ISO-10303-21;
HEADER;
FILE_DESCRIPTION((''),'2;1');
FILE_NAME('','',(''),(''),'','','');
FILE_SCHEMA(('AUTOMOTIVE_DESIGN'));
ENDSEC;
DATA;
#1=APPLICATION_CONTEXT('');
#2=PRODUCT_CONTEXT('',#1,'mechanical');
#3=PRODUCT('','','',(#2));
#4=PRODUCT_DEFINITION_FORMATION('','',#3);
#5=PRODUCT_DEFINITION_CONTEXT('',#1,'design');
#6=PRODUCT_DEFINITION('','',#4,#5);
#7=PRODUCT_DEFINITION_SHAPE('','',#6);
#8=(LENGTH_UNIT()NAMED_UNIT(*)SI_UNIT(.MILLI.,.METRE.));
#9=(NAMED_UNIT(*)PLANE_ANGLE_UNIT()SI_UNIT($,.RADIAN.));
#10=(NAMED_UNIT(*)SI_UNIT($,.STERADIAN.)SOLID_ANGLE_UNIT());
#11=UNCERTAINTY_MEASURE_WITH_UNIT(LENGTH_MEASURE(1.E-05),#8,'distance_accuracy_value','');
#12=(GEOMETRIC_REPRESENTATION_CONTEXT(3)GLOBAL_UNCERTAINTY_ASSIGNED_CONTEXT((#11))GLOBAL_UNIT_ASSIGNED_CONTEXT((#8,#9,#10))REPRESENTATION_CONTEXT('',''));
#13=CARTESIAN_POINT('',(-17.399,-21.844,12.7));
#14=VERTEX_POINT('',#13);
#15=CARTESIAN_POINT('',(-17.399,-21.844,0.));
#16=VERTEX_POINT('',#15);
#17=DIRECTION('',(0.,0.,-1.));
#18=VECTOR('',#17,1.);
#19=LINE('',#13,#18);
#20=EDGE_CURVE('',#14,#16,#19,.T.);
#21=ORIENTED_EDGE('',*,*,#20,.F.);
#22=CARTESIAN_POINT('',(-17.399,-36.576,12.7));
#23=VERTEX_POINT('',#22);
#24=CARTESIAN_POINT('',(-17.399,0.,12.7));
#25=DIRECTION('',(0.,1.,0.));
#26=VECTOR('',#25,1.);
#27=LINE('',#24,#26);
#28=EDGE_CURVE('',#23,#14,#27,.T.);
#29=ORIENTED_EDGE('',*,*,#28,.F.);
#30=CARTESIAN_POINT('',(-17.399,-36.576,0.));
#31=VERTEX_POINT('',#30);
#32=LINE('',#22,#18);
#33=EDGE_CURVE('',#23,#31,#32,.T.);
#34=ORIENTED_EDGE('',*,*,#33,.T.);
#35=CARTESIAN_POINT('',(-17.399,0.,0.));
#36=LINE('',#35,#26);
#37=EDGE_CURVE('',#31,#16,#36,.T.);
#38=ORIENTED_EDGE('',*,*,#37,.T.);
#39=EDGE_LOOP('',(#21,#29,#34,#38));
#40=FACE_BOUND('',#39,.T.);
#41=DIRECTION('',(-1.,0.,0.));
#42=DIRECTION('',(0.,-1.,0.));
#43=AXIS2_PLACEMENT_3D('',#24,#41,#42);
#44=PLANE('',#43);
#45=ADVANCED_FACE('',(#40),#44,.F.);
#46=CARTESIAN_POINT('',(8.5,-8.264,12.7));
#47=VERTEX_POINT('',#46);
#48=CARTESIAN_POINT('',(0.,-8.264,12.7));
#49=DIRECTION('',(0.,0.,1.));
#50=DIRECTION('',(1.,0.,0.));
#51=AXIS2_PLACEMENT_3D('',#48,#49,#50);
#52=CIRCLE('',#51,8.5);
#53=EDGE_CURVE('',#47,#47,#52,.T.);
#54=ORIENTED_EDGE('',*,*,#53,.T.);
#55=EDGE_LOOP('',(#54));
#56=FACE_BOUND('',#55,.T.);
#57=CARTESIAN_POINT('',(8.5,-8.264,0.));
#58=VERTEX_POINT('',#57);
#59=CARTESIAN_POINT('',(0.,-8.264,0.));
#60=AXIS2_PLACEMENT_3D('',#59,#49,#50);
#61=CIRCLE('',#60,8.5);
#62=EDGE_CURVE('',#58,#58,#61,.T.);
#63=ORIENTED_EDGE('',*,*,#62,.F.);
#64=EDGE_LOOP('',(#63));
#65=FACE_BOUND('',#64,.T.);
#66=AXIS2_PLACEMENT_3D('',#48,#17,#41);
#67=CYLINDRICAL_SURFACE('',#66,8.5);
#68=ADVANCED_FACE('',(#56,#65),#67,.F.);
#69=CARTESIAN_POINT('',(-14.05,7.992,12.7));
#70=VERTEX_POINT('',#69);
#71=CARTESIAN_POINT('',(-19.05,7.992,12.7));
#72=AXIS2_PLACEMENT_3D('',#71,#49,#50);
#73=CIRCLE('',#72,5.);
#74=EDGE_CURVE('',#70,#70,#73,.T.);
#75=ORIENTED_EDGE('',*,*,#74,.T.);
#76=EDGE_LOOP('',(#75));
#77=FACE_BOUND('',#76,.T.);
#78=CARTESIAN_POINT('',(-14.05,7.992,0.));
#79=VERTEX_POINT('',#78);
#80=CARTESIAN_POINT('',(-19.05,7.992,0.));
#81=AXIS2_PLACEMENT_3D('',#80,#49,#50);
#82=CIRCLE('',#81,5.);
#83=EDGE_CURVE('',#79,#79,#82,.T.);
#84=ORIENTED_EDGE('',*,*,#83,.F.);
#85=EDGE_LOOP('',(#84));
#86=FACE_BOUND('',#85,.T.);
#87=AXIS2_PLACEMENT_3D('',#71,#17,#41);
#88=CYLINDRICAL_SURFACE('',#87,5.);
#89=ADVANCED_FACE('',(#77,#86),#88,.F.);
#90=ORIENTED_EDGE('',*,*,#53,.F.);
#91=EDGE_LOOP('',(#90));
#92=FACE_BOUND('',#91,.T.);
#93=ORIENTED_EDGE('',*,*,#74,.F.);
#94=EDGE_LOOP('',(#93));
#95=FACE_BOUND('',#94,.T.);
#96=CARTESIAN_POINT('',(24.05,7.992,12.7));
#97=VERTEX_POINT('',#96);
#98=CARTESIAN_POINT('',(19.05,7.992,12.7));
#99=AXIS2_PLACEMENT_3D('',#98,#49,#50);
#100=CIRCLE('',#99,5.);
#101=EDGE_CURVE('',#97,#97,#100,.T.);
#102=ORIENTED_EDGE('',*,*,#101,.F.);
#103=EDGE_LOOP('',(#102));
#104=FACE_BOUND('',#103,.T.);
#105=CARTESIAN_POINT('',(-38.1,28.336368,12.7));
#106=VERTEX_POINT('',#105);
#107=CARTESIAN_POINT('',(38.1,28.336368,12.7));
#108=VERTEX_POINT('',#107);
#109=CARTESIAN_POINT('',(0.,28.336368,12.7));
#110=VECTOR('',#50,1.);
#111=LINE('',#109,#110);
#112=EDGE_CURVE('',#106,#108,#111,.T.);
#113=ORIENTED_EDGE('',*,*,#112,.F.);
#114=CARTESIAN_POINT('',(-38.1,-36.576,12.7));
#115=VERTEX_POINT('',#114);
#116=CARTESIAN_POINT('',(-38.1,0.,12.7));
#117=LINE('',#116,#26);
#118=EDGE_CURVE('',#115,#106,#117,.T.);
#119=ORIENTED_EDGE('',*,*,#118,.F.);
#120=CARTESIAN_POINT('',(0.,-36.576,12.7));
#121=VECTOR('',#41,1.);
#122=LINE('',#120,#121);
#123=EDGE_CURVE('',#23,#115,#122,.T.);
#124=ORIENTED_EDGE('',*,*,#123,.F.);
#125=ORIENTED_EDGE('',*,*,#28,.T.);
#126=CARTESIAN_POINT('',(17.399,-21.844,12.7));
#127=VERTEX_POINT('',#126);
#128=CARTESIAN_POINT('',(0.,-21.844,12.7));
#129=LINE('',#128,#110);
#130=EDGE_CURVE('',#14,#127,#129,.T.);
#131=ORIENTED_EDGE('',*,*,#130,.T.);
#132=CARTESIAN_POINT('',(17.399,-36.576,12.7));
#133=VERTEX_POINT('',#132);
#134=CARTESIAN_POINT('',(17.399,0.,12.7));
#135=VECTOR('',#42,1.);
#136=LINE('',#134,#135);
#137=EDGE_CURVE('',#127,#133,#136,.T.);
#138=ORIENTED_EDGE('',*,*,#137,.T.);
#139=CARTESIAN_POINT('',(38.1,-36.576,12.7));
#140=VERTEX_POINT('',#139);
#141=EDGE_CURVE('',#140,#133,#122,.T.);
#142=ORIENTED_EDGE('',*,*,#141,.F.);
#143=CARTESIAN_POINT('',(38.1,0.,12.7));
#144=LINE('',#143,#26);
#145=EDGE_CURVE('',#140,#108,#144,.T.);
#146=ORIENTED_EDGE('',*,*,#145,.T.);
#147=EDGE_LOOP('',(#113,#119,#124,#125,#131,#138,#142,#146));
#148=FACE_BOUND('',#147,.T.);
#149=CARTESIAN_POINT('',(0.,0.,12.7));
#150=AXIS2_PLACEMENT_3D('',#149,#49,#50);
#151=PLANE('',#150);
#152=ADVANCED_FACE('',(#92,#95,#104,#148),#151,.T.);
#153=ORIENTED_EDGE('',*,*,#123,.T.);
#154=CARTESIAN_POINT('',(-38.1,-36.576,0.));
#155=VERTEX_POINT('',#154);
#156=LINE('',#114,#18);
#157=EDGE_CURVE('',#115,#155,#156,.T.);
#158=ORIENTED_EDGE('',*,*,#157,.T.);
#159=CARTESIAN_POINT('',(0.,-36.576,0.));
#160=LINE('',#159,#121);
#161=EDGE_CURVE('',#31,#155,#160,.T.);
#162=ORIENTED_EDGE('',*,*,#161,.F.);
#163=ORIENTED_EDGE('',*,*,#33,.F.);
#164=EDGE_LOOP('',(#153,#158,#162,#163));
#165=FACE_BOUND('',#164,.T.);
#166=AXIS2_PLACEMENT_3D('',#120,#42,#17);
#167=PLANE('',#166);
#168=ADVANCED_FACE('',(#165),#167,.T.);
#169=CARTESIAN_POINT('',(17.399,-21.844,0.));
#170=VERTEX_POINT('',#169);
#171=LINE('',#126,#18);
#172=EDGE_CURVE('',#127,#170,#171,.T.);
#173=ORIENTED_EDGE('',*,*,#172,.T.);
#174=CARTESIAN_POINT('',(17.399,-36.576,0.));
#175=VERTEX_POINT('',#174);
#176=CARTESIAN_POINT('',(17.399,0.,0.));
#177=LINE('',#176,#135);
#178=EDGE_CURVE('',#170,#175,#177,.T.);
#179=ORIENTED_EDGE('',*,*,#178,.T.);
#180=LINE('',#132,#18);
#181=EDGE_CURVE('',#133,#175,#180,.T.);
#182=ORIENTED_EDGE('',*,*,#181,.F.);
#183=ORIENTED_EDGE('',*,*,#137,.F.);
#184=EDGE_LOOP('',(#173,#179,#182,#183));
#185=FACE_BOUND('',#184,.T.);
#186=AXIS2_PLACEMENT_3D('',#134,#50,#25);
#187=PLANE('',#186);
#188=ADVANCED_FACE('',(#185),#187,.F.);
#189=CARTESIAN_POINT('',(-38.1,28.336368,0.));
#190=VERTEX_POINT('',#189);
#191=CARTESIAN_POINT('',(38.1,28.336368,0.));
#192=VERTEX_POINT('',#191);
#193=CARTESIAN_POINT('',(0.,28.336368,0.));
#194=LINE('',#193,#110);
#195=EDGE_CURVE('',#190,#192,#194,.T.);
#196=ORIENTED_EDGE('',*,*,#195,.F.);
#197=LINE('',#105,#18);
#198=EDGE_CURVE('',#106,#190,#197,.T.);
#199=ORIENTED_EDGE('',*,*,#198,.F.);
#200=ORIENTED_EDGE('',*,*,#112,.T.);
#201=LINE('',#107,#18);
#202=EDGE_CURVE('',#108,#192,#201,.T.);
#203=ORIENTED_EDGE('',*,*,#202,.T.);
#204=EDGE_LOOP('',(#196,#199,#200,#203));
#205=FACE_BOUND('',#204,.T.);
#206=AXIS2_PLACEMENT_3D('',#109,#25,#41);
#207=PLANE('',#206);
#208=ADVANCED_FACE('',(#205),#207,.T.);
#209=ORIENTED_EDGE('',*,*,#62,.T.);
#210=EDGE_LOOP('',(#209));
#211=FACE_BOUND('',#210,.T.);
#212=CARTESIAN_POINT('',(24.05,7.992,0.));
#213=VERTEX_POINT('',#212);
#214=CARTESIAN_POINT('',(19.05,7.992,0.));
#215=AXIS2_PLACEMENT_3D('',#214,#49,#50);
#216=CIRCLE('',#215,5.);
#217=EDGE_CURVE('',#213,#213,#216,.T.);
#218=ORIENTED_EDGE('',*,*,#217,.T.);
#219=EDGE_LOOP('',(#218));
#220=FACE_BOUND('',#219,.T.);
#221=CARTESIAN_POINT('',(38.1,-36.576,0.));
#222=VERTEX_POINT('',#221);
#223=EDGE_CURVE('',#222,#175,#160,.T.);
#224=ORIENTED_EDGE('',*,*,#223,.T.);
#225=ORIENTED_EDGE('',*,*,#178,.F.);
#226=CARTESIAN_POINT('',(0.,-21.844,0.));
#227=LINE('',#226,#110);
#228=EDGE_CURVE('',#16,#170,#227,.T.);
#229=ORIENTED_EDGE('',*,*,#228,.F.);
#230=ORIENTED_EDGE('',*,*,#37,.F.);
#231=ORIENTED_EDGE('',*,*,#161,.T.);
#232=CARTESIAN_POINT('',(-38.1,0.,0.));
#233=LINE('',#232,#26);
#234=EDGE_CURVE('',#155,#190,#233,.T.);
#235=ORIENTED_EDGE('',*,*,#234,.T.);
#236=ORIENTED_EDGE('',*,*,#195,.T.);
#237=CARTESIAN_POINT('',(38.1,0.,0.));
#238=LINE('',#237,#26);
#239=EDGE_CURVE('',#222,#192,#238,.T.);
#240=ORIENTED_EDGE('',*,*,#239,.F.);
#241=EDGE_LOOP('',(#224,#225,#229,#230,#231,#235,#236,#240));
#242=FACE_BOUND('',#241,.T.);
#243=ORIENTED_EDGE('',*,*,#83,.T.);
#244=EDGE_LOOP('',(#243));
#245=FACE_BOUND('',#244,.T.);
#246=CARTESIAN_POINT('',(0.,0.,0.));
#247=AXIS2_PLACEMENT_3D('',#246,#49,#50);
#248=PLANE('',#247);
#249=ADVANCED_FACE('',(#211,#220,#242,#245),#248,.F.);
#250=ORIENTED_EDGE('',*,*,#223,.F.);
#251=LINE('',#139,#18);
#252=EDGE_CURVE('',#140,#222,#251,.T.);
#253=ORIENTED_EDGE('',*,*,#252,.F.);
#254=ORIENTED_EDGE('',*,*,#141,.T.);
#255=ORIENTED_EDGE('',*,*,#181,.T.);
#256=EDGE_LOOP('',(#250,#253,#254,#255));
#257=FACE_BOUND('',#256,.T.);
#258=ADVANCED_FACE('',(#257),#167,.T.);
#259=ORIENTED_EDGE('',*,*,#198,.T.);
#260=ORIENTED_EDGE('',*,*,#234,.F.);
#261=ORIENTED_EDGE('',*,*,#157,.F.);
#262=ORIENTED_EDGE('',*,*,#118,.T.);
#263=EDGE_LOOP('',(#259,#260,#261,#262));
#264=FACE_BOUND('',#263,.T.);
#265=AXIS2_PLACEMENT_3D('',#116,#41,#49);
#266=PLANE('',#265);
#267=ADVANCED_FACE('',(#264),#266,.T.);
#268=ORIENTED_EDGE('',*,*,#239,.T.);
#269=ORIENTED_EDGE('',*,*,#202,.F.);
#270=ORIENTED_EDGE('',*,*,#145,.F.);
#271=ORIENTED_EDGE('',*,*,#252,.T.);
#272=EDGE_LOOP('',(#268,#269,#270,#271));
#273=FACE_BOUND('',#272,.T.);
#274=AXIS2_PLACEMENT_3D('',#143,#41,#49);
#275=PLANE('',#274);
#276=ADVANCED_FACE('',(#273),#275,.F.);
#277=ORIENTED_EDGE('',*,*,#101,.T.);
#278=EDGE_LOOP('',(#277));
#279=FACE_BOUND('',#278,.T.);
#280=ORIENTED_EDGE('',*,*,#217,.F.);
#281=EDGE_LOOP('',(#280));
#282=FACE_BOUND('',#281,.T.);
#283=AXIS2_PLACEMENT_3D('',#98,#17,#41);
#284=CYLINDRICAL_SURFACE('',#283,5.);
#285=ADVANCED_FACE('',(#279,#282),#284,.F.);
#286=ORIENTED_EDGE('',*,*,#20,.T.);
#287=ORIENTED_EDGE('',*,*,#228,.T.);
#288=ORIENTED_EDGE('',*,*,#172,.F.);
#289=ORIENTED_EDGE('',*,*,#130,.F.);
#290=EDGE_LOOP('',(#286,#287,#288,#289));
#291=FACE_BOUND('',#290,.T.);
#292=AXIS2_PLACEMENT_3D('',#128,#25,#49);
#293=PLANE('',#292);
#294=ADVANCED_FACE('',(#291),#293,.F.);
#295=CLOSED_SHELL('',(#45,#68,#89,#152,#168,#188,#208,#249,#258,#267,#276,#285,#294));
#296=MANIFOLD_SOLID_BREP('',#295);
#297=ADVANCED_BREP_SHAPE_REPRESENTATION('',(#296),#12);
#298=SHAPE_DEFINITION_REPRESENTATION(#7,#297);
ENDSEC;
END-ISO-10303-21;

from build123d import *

# Parameters (mm, degrees)
SKETCH1_R           = 5
BOSS_EXTRUDE2_DEPTH = 12.7


with BuildPart() as part:
    # Sketch1 → Boss-Extrude2 (new body)
    with BuildSketch(Plane.XY):
        Polygon((-38.1, -36.576), (-17.399, -36.576), (-17.399, -21.844), (0, -21.844), (17.399, -21.844), (17.399, -36.576), (38.1, -36.576), (38.1, 28.336368082), (-19.05, 28.336368082), (-38.1, 28.336368082), align=None)
        with BuildLine():
            ThreePointArc((8.5, -8.264), (6.01040764, -14.27440764), (0, -16.764))
            ThreePointArc((0, -16.764), (-6.01040764, -2.25359236), (8.5, -8.264))
        make_face(mode=Mode.SUBTRACT)
        with Locations((-19.05, 7.992)):
            Circle(SKETCH1_R, mode=Mode.SUBTRACT)
        with Locations((19.05, 7.992)):
            Circle(SKETCH1_R, mode=Mode.SUBTRACT)
    extrude(amount=BOSS_EXTRUDE2_DEPTH)


solid = part.part
